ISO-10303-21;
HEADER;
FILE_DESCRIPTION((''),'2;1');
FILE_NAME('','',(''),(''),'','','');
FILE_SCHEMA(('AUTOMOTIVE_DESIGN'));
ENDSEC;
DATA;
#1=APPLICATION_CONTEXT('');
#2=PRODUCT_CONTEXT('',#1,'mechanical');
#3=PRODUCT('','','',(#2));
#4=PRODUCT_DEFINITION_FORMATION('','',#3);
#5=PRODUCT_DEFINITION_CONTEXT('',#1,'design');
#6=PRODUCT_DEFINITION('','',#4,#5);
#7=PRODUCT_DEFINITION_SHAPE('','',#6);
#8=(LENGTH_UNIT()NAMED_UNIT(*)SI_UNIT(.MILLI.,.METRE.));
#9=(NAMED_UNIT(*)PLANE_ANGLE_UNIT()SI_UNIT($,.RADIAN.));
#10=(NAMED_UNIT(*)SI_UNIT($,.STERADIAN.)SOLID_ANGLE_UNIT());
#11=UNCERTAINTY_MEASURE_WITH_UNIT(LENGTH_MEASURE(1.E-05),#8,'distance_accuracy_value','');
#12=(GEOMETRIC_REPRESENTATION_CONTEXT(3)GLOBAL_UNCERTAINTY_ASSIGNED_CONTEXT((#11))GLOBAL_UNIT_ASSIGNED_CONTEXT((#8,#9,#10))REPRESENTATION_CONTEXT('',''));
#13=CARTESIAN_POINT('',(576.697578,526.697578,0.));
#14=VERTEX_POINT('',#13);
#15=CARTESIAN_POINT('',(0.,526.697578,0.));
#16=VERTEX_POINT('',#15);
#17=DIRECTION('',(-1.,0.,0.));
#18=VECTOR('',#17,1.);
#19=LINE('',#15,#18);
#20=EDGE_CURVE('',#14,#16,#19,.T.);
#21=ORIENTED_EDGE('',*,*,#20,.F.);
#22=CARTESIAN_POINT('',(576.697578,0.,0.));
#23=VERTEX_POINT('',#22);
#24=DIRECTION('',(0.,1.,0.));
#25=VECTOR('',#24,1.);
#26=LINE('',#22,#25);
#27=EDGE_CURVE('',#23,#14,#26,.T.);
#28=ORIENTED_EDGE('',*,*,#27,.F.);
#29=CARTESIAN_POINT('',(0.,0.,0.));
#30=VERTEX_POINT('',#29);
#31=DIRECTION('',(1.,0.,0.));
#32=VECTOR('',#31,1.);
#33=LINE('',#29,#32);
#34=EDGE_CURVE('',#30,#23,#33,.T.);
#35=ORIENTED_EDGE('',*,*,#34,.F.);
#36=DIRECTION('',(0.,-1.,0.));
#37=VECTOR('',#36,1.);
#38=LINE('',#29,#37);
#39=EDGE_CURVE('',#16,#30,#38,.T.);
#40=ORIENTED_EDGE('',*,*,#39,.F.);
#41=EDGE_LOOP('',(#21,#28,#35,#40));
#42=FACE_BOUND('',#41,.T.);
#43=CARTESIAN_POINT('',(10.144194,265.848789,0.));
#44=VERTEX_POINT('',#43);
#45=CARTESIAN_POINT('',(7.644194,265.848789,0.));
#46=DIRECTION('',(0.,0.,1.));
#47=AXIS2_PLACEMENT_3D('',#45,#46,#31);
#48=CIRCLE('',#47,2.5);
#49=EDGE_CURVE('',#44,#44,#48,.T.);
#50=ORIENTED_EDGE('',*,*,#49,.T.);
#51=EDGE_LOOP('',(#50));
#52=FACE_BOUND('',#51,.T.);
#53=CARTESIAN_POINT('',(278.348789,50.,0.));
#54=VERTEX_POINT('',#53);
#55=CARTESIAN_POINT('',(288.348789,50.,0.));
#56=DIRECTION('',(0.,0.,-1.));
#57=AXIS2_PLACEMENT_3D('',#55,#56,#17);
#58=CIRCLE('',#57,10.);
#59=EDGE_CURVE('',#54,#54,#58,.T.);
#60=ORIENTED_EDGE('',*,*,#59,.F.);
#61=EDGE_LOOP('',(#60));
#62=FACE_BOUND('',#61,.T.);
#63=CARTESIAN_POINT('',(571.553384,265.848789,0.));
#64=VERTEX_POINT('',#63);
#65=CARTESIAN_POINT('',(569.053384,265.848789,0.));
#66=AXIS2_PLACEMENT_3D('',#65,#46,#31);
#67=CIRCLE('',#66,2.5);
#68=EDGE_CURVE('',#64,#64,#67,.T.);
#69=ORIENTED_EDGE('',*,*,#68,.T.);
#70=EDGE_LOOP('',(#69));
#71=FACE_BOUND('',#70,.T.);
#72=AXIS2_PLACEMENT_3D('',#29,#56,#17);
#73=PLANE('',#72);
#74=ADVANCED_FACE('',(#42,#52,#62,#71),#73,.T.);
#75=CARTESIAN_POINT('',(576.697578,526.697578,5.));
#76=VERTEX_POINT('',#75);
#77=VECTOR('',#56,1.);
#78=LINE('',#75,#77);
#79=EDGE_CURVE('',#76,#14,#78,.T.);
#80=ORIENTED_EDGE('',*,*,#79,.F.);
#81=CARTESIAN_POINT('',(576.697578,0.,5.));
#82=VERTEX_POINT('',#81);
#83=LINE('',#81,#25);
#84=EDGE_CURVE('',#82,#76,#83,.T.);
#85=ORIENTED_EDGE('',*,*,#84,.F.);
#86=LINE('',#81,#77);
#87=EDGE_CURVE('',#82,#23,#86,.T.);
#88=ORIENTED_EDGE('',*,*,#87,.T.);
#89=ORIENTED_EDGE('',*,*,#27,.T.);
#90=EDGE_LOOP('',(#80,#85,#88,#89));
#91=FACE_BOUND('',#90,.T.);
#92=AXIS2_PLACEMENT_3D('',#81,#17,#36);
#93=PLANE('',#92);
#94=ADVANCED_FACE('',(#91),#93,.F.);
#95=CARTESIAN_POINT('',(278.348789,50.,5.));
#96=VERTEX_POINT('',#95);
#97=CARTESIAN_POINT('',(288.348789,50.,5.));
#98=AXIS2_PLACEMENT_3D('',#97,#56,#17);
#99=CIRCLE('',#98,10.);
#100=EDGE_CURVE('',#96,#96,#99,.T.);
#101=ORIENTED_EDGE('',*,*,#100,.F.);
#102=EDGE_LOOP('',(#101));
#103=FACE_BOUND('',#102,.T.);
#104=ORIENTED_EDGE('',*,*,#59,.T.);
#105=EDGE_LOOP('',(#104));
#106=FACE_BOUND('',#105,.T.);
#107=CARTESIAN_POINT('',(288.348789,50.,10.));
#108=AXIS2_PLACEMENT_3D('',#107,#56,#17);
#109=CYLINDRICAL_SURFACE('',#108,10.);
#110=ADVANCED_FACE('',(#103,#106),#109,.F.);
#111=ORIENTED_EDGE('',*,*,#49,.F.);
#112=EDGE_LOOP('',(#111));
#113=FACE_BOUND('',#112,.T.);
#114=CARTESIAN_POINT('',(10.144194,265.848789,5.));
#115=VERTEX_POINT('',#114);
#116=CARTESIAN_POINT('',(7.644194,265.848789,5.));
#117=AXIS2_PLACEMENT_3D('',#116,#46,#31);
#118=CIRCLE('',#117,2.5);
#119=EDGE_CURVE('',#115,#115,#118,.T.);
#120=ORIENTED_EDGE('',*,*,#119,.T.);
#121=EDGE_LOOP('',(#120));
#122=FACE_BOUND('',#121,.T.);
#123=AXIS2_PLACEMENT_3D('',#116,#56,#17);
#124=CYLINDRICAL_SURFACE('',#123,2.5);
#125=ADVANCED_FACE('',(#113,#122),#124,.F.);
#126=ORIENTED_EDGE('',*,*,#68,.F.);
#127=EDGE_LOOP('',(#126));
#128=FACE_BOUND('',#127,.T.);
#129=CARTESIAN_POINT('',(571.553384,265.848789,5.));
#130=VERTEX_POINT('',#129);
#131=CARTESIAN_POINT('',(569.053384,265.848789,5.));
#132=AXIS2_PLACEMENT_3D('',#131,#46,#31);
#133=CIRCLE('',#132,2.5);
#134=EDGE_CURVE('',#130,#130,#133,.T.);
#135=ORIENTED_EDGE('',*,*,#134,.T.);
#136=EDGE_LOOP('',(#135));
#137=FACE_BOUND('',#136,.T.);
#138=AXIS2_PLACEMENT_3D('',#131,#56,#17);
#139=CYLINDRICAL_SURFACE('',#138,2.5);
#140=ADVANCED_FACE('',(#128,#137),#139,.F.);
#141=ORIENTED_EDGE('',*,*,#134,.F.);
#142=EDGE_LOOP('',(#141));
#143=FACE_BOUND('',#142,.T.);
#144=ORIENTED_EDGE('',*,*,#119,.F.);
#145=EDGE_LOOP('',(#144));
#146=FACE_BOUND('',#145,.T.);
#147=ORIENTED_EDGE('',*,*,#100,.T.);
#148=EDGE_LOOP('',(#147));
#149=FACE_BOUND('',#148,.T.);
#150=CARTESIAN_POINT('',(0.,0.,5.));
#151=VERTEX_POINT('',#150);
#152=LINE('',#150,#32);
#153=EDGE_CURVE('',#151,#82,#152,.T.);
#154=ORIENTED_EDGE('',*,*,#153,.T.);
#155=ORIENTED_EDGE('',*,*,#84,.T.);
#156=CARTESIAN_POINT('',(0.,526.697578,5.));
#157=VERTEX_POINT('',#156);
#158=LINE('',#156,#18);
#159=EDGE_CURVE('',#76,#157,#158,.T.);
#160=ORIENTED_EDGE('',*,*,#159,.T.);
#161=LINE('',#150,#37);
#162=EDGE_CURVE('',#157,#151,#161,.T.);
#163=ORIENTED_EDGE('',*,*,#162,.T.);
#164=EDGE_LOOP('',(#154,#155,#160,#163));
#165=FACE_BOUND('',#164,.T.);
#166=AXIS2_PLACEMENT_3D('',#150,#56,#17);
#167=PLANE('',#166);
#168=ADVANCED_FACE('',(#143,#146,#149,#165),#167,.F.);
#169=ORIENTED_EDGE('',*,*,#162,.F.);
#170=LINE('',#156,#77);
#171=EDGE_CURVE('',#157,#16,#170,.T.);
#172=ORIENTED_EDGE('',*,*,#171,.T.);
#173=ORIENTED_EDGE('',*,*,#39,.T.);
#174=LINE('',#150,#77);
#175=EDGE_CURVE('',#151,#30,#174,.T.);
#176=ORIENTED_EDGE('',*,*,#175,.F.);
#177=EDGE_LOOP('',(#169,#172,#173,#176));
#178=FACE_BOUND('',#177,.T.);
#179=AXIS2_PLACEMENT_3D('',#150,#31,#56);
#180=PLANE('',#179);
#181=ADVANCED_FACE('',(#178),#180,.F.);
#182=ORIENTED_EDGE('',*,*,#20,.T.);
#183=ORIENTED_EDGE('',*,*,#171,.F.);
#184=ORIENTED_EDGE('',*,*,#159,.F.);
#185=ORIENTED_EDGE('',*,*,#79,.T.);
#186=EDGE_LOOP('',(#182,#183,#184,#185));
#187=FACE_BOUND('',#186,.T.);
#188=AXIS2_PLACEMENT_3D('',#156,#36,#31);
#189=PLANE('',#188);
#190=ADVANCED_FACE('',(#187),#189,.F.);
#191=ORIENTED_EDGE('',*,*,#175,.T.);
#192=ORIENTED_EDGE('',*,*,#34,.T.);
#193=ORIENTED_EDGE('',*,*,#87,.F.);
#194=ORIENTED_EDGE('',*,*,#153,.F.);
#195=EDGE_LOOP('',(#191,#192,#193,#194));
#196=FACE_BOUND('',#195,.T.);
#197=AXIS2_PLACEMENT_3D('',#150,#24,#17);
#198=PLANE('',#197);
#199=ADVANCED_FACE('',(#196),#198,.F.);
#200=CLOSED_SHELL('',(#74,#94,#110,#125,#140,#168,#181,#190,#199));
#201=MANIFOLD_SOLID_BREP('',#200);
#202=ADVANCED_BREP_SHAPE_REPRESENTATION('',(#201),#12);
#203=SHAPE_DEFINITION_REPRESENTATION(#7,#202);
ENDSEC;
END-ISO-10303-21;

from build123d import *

# Parameters (mm, degrees)
SKETCH1_W           = 576.6975777
SKETCH1_H           = 526.6975777
SKETCH1_R           = 2.5
BOSS_EXTRUDE1_DEPTH = 5
SKETCH2_R           = 10
CUT_EXTRUDE1_DEPTH  = 10


with BuildPart() as part:
    # Sketch1 → Boss-Extrude1 (new body)
    with BuildSketch(Plane.XY):
        with Locations((288.34878885, 263.34878885)):
            Rectangle(SKETCH1_W, SKETCH1_H)
        with Locations((7.644193715, 265.84878885)):
            Circle(SKETCH1_R, mode=Mode.SUBTRACT)
        with Locations((569.053383985, 265.84878885)):
            Circle(SKETCH1_R, mode=Mode.SUBTRACT)
    extrude(amount=BOSS_EXTRUDE1_DEPTH)

    # Sketch2 → Cut-Extrude1 (cut)
    with BuildSketch(Plane(origin=(0, 0, 0), x_dir=(-1, 0, 0), z_dir=(0, 0, -1))):
        with Locations((-288.34878885, 50)):
            Circle(SKETCH2_R)
    extrude(amount=-CUT_EXTRUDE1_DEPTH, mode=Mode.SUBTRACT)


solid = part.part
